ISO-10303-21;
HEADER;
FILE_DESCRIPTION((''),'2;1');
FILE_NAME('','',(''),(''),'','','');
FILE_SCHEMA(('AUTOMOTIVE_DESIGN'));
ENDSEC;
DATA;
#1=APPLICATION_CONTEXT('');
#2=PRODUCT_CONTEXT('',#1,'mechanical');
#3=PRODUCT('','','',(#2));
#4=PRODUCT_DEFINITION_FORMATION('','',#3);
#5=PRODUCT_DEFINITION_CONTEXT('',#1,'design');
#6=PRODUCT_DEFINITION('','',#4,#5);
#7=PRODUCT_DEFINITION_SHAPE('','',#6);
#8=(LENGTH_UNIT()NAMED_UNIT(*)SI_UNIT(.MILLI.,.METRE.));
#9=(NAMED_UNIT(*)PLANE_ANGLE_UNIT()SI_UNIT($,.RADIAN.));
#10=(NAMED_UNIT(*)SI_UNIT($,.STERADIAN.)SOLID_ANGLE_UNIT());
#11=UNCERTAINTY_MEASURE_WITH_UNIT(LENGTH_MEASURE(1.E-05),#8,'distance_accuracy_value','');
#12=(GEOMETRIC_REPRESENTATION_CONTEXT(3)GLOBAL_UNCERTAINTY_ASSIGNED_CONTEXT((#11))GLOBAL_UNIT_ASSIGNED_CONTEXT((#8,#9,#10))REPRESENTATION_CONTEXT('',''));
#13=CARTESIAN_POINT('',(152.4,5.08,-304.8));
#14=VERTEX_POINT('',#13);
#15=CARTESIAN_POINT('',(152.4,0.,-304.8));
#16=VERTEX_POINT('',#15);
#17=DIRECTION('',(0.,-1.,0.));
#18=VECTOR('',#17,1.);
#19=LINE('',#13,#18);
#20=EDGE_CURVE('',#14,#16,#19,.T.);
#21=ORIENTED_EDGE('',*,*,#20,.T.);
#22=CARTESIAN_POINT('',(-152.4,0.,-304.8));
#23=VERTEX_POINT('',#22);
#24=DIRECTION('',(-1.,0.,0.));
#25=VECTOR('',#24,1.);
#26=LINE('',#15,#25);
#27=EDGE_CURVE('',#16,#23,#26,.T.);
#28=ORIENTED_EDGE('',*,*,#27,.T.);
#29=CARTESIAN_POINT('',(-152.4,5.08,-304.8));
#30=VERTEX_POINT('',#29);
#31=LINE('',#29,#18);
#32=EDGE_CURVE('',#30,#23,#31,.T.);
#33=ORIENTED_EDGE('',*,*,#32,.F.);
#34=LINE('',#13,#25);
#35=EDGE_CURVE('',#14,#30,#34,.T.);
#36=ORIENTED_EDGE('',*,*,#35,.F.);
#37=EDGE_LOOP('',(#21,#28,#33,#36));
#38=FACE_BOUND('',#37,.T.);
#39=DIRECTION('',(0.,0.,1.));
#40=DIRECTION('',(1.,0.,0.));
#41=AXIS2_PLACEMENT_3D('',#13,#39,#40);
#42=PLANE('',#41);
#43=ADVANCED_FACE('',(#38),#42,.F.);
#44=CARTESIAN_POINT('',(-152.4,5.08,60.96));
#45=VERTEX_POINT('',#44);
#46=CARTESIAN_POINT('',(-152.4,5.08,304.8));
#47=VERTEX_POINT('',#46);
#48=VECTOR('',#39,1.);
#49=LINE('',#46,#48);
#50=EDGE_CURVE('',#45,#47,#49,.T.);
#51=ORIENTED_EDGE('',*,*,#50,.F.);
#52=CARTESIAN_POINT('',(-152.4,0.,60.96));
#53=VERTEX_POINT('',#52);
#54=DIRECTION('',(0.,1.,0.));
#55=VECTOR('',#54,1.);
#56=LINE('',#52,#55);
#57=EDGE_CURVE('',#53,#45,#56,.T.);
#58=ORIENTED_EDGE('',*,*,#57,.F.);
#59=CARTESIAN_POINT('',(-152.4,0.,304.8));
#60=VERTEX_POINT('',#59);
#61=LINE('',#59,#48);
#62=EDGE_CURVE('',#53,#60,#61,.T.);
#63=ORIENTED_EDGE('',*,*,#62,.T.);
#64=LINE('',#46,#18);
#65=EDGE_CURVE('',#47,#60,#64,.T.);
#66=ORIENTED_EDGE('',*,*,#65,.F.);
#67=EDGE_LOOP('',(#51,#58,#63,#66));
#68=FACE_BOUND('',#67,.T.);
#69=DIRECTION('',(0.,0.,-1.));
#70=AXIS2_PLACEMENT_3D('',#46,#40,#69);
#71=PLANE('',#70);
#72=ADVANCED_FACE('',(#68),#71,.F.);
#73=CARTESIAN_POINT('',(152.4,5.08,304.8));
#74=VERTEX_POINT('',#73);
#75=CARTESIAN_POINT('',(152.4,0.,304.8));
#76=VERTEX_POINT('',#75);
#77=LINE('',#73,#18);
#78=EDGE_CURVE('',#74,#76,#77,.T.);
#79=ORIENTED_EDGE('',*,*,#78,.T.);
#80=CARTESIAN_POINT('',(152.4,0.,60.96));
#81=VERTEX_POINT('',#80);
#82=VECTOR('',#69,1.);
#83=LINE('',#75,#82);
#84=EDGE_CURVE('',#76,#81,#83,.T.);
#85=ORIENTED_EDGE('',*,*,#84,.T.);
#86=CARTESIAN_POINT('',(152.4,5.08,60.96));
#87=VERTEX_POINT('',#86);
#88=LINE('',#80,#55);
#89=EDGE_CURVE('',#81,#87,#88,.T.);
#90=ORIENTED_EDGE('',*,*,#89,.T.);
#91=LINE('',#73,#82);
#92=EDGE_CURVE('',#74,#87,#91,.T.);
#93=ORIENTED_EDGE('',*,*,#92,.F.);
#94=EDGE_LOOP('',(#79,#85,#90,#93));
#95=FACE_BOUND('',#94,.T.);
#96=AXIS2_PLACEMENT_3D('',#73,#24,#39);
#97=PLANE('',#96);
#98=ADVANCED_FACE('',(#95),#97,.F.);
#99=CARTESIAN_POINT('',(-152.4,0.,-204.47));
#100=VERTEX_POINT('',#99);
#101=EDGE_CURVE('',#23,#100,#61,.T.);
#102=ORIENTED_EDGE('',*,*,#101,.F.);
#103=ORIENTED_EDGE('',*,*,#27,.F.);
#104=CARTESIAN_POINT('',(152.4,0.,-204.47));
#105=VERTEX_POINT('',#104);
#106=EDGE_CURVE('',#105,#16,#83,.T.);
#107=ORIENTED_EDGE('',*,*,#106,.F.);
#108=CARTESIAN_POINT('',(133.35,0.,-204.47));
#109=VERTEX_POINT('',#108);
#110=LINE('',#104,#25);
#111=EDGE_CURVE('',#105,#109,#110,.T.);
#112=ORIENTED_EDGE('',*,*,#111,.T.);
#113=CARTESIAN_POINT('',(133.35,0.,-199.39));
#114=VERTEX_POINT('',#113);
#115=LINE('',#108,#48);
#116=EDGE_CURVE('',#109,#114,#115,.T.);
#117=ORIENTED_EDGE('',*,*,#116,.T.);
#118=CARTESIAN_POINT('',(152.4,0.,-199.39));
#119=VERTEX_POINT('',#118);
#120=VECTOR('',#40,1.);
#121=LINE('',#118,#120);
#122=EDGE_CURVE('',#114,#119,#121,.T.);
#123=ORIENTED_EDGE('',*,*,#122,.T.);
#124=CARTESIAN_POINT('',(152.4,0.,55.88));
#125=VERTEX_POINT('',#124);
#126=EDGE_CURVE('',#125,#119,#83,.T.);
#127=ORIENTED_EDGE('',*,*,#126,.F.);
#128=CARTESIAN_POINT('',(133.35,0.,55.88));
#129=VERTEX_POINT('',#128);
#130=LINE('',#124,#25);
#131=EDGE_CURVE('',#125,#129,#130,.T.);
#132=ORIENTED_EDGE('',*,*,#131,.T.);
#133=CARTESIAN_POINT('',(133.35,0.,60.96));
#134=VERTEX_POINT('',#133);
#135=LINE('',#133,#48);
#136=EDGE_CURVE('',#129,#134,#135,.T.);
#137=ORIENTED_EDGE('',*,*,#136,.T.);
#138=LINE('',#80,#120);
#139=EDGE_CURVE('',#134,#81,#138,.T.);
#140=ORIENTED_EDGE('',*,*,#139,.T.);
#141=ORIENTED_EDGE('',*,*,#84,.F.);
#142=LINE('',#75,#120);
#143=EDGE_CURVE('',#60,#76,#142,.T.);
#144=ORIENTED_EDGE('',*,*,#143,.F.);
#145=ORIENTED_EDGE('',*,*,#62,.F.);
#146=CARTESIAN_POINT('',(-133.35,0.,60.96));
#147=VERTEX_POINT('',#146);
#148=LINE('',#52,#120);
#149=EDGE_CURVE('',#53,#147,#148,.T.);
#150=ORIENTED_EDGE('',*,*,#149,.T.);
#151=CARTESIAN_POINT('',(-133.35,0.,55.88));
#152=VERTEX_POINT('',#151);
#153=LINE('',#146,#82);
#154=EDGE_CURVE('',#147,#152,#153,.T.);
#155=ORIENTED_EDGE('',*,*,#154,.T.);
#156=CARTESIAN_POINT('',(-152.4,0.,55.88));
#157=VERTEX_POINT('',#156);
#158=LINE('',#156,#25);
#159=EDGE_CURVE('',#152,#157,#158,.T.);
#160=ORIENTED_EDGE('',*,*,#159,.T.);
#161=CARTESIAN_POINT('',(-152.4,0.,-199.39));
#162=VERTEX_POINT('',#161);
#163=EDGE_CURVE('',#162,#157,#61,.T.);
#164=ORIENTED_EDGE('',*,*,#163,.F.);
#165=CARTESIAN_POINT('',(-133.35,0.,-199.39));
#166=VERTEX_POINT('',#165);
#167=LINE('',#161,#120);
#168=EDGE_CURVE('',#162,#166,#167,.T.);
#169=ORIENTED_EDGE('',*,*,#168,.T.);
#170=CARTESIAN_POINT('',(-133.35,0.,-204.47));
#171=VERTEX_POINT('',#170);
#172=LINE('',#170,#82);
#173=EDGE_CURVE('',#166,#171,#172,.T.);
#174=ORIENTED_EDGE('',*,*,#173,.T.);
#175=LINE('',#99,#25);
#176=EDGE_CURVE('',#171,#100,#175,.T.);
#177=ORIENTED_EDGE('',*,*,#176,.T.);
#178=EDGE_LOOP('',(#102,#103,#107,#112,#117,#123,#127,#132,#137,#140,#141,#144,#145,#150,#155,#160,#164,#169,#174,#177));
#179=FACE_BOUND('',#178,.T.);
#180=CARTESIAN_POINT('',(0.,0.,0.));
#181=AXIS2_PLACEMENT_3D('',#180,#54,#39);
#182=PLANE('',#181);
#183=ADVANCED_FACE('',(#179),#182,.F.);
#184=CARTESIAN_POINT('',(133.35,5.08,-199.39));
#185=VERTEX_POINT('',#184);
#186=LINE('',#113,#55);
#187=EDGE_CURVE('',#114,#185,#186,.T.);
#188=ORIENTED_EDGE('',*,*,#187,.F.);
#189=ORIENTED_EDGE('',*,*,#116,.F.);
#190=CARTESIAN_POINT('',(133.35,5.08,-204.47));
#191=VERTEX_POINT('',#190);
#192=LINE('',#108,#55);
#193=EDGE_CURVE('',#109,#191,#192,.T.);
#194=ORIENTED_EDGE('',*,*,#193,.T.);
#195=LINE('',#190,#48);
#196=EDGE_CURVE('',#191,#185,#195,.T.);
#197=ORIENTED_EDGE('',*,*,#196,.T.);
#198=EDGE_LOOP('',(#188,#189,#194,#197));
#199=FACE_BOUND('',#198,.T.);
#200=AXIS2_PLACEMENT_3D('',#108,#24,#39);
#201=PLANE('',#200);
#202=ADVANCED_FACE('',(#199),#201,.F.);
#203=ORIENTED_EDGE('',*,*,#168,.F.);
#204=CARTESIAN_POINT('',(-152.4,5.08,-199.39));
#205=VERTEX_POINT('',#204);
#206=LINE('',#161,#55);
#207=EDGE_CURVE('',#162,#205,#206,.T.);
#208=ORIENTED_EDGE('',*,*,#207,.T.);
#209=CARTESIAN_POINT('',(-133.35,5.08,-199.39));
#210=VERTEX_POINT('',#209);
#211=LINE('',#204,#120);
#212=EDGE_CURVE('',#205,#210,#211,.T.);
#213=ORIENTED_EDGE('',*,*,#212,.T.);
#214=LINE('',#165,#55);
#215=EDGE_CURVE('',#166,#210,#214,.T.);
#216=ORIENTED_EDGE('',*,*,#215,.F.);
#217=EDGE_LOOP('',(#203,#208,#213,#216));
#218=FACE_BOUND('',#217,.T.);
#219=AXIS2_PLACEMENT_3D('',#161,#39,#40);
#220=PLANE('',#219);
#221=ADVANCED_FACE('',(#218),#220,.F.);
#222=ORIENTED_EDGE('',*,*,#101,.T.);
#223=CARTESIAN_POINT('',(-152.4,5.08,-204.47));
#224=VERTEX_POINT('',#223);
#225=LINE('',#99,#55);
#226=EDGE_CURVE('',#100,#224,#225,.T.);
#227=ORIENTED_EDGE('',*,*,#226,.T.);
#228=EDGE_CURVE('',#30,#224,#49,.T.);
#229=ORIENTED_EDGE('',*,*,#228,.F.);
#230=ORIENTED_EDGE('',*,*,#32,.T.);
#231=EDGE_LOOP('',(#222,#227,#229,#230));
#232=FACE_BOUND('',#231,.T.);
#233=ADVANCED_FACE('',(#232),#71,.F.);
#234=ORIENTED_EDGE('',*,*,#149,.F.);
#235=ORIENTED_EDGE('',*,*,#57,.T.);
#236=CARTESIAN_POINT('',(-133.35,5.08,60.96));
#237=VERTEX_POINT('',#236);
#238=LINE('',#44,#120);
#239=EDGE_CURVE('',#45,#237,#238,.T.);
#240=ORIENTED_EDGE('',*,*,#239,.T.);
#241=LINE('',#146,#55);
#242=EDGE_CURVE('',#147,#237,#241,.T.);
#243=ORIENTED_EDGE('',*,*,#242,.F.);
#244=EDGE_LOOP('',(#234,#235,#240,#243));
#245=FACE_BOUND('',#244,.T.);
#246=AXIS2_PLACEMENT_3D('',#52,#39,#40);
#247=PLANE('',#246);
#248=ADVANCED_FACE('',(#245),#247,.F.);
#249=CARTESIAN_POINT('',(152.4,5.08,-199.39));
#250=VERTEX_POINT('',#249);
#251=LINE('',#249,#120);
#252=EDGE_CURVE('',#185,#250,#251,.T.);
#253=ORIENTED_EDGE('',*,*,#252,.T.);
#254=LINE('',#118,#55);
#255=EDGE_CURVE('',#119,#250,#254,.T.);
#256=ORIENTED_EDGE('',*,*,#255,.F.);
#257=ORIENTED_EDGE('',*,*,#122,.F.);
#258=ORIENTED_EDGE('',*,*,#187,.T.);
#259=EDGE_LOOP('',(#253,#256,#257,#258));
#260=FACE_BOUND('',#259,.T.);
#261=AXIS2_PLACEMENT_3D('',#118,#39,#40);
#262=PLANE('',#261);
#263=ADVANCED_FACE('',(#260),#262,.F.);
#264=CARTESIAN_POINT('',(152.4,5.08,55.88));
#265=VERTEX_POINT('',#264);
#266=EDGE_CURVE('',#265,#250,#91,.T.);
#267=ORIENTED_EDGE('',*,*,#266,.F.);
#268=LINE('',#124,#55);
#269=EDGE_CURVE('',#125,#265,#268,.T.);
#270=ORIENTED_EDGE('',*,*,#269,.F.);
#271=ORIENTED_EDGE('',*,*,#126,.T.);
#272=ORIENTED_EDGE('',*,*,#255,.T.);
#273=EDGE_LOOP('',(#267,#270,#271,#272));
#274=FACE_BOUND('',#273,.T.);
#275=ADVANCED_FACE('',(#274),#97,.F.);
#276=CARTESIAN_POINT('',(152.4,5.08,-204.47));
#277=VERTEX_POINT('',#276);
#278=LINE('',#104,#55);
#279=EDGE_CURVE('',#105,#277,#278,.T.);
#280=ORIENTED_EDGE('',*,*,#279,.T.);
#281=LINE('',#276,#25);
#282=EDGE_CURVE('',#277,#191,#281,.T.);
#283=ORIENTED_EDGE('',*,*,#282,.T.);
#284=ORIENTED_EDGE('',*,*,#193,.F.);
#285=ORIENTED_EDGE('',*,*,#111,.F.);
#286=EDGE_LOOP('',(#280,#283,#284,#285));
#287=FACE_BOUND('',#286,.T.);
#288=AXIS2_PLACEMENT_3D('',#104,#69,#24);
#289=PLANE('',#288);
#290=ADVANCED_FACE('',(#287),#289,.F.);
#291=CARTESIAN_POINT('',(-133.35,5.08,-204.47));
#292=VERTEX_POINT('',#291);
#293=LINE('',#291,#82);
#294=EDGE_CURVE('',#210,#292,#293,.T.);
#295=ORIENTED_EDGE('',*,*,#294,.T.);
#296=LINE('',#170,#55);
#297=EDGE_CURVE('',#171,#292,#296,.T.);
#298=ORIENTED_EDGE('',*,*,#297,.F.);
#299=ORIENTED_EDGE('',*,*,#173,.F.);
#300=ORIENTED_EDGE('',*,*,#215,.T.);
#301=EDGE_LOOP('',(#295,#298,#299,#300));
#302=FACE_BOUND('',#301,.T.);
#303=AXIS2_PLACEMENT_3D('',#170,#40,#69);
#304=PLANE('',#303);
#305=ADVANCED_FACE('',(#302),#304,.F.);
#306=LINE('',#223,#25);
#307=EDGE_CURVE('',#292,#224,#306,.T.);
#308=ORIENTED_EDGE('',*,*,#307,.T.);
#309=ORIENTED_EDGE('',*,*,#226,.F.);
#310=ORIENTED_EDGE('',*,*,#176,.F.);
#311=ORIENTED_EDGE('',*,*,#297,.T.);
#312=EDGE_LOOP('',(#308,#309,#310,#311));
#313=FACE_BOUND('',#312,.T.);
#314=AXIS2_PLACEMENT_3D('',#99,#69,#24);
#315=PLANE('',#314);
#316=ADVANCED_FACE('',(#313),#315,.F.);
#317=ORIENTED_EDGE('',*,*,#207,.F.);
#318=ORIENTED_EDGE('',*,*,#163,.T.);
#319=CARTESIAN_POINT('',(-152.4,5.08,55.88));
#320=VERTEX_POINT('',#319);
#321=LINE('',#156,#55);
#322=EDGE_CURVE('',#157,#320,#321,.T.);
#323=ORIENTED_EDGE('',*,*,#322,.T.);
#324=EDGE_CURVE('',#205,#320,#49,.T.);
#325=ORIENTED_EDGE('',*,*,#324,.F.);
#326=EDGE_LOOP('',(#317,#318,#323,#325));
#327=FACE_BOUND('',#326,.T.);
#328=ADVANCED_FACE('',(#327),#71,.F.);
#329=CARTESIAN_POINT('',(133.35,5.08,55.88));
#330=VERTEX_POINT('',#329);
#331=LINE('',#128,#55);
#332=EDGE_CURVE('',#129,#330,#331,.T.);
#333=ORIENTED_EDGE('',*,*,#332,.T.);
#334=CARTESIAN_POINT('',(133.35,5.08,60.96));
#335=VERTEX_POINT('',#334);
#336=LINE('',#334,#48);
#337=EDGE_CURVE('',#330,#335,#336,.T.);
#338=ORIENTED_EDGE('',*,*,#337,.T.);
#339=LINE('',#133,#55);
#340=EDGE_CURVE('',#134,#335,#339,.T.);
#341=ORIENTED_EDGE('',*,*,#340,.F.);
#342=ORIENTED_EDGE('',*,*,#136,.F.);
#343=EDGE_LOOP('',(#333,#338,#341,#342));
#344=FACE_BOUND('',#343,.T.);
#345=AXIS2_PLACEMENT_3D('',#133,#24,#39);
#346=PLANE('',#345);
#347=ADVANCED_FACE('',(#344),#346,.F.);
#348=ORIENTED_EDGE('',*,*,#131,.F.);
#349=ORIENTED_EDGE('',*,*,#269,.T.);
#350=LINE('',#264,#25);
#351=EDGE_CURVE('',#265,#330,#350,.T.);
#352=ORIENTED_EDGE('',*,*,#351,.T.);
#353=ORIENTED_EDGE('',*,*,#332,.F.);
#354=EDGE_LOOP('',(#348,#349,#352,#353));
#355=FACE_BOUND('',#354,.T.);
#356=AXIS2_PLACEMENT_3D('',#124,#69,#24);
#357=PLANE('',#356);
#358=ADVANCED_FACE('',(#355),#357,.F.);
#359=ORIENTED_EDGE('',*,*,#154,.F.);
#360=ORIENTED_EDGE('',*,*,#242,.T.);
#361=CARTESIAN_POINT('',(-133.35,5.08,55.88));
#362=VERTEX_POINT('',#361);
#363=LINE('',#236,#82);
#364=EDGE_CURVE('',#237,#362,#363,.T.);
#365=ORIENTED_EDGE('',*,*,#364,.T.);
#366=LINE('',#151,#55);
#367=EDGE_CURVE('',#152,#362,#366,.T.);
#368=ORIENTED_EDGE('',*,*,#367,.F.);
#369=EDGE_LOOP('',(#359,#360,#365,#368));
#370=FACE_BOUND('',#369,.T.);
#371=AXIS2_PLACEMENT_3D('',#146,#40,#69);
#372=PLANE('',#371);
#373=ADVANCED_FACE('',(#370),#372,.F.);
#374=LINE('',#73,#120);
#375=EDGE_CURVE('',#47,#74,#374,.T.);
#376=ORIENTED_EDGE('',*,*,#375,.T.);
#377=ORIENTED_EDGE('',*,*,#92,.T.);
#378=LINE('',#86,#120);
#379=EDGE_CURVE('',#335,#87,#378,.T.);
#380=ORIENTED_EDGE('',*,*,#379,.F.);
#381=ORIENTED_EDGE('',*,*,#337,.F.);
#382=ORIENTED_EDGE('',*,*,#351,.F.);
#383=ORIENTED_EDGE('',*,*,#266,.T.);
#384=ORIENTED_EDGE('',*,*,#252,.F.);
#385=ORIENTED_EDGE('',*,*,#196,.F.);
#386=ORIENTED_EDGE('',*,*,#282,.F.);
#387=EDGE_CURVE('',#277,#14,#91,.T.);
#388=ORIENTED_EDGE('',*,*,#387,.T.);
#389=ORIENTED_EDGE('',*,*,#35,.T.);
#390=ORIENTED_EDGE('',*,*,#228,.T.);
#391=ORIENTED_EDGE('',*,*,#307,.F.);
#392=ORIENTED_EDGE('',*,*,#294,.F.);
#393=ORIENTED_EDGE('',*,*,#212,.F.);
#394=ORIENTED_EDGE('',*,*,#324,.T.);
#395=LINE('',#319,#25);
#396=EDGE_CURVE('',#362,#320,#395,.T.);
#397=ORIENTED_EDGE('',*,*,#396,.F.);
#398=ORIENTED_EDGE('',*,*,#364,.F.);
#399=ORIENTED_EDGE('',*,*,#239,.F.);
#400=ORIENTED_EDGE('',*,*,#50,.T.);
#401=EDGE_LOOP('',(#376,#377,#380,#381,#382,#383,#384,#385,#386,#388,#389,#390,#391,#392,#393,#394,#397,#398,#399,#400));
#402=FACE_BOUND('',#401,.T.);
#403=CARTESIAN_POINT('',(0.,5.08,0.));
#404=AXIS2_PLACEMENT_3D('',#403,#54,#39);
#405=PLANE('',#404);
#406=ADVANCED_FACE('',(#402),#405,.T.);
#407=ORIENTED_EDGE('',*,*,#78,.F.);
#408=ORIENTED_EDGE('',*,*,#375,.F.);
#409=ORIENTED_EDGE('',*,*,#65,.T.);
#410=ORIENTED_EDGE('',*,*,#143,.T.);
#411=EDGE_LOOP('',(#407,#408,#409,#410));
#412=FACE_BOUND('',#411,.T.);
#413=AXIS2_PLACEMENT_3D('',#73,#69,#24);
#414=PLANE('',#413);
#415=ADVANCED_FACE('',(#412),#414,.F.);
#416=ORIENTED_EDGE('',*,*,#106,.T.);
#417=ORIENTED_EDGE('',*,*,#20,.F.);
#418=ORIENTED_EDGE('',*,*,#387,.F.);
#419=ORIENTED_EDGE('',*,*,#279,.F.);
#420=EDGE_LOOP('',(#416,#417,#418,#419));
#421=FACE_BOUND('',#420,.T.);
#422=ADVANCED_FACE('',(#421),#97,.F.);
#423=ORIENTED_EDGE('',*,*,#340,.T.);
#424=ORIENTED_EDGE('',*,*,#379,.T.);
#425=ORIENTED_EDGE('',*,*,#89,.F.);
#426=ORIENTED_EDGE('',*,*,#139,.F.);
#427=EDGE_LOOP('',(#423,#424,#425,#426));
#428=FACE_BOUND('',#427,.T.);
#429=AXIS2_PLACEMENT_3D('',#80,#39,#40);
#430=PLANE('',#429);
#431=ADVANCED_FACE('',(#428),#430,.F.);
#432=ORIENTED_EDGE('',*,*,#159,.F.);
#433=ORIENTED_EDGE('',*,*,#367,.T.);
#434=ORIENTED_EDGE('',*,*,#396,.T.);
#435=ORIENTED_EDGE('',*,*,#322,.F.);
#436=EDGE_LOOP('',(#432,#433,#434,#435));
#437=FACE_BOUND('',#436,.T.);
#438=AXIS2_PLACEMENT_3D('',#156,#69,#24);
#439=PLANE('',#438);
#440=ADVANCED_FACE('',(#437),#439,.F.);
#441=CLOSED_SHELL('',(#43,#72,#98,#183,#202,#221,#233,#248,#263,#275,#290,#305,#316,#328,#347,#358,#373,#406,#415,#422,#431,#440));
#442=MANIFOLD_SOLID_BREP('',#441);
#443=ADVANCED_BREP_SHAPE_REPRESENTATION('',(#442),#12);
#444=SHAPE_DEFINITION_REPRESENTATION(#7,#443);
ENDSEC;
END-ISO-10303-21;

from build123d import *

# Parameters (mm, degrees)
SKETCH1_W           = 304.8
SKETCH1_H           = 609.6
BOSS_EXTRUDE1_DEPTH = 5.08
SKETCH2_W           = 19.05
SKETCH2_H           = 5.08
CUT_EXTRUDE1_DEPTH  = 6.08


with BuildPart() as part:
    # Sketch1 → Boss-Extrude1 (new body)
    with BuildSketch(Plane(origin=(0, 0, 0), x_dir=(1, 0, 0), z_dir=(0, 1, 0))):
        Rectangle(SKETCH1_W, SKETCH1_H)
    extrude(amount=BOSS_EXTRUDE1_DEPTH)

    # Sketch2 → Cut-Extrude1 (cut, through all)
    with BuildSketch(Plane(origin=(0, 5.08, 0), x_dir=(1, 0, 0), z_dir=(0, 1, 0))):
        with Locations((142.875, -58.42)):
            Rectangle(SKETCH2_W, SKETCH2_H)
        with Locations((142.875, 201.93)):
            Rectangle(SKETCH2_W, SKETCH2_H)
        with Locations((-142.875, 201.93)):
            Rectangle(SKETCH2_W, SKETCH2_H)
        with Locations((-142.875, -58.42)):
            Rectangle(SKETCH2_W, SKETCH2_H)
    extrude(amount=-CUT_EXTRUDE1_DEPTH, mode=Mode.SUBTRACT)


solid = part.part
